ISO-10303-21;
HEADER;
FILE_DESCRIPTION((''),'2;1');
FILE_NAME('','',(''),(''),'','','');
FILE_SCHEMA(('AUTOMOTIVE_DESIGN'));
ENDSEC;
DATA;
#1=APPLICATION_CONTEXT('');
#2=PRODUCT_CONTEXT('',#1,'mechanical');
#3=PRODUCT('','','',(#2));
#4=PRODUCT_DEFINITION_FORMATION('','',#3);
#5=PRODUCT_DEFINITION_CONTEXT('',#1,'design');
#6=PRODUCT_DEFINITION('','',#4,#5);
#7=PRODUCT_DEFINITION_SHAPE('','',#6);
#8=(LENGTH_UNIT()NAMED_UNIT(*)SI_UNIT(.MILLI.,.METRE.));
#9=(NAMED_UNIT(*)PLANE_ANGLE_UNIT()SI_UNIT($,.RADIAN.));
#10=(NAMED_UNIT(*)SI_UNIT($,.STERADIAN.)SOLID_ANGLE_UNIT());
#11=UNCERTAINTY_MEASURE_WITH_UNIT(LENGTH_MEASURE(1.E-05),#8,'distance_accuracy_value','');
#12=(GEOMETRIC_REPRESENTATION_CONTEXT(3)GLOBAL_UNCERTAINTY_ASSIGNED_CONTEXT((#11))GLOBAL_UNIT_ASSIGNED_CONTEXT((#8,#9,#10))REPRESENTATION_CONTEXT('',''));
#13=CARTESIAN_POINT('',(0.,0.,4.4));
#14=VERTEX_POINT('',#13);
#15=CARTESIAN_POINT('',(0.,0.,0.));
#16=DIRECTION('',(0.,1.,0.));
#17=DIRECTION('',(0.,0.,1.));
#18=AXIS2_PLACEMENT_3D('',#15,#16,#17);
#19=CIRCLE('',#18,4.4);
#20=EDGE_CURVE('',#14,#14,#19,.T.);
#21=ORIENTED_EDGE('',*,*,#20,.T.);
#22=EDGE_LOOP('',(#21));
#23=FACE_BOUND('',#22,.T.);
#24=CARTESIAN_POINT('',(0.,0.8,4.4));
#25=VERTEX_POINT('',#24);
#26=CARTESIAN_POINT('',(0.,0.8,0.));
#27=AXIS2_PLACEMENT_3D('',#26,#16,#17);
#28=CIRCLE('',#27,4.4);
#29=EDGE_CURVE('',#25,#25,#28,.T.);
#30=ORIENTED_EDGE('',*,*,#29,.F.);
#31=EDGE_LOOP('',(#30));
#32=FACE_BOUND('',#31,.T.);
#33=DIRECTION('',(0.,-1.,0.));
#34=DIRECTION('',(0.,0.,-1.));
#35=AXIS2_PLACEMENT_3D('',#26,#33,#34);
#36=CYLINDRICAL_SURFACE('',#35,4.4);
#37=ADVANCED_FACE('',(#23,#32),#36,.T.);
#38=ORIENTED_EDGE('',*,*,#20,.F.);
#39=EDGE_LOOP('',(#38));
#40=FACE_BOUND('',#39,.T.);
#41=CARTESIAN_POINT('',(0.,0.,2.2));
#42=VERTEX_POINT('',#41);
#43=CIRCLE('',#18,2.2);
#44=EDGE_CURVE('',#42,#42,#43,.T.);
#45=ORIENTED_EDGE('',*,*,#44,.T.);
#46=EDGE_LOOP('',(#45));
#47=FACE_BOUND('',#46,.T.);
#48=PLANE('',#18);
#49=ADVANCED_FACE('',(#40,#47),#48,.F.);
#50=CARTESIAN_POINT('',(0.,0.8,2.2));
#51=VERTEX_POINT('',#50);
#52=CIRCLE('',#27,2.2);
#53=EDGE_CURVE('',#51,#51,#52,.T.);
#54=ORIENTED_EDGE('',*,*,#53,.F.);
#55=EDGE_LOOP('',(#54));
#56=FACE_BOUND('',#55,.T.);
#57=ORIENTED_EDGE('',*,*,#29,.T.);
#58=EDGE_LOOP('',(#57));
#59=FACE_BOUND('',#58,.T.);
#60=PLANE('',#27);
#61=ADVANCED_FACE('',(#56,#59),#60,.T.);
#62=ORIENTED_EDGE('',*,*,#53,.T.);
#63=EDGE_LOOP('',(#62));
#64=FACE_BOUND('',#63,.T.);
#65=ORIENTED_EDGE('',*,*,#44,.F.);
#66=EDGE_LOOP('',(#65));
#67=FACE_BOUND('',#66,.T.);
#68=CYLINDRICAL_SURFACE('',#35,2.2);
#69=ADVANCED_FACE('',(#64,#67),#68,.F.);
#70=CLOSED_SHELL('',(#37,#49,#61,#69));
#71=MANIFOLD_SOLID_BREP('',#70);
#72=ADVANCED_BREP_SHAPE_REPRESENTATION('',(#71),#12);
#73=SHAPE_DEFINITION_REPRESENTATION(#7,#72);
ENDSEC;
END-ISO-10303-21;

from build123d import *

# Parameters (mm, degrees)
ESBO_O1_R                = 4.4
ESBO_O1_R_2              = 2.2
RESSALTO_EXTRUS_O1_DEPTH = 0.8


with BuildPart() as part:
    # Esboço1 → Ressalto-extrusão1 (new body)
    with BuildSketch(Plane(origin=(0, 0, 0), x_dir=(1, 0, 0), z_dir=(0, 1, 0))):
        Circle(ESBO_O1_R)
        Circle(ESBO_O1_R_2, mode=Mode.SUBTRACT)
    extrude(amount=RESSALTO_EXTRUS_O1_DEPTH)


solid = part.part
